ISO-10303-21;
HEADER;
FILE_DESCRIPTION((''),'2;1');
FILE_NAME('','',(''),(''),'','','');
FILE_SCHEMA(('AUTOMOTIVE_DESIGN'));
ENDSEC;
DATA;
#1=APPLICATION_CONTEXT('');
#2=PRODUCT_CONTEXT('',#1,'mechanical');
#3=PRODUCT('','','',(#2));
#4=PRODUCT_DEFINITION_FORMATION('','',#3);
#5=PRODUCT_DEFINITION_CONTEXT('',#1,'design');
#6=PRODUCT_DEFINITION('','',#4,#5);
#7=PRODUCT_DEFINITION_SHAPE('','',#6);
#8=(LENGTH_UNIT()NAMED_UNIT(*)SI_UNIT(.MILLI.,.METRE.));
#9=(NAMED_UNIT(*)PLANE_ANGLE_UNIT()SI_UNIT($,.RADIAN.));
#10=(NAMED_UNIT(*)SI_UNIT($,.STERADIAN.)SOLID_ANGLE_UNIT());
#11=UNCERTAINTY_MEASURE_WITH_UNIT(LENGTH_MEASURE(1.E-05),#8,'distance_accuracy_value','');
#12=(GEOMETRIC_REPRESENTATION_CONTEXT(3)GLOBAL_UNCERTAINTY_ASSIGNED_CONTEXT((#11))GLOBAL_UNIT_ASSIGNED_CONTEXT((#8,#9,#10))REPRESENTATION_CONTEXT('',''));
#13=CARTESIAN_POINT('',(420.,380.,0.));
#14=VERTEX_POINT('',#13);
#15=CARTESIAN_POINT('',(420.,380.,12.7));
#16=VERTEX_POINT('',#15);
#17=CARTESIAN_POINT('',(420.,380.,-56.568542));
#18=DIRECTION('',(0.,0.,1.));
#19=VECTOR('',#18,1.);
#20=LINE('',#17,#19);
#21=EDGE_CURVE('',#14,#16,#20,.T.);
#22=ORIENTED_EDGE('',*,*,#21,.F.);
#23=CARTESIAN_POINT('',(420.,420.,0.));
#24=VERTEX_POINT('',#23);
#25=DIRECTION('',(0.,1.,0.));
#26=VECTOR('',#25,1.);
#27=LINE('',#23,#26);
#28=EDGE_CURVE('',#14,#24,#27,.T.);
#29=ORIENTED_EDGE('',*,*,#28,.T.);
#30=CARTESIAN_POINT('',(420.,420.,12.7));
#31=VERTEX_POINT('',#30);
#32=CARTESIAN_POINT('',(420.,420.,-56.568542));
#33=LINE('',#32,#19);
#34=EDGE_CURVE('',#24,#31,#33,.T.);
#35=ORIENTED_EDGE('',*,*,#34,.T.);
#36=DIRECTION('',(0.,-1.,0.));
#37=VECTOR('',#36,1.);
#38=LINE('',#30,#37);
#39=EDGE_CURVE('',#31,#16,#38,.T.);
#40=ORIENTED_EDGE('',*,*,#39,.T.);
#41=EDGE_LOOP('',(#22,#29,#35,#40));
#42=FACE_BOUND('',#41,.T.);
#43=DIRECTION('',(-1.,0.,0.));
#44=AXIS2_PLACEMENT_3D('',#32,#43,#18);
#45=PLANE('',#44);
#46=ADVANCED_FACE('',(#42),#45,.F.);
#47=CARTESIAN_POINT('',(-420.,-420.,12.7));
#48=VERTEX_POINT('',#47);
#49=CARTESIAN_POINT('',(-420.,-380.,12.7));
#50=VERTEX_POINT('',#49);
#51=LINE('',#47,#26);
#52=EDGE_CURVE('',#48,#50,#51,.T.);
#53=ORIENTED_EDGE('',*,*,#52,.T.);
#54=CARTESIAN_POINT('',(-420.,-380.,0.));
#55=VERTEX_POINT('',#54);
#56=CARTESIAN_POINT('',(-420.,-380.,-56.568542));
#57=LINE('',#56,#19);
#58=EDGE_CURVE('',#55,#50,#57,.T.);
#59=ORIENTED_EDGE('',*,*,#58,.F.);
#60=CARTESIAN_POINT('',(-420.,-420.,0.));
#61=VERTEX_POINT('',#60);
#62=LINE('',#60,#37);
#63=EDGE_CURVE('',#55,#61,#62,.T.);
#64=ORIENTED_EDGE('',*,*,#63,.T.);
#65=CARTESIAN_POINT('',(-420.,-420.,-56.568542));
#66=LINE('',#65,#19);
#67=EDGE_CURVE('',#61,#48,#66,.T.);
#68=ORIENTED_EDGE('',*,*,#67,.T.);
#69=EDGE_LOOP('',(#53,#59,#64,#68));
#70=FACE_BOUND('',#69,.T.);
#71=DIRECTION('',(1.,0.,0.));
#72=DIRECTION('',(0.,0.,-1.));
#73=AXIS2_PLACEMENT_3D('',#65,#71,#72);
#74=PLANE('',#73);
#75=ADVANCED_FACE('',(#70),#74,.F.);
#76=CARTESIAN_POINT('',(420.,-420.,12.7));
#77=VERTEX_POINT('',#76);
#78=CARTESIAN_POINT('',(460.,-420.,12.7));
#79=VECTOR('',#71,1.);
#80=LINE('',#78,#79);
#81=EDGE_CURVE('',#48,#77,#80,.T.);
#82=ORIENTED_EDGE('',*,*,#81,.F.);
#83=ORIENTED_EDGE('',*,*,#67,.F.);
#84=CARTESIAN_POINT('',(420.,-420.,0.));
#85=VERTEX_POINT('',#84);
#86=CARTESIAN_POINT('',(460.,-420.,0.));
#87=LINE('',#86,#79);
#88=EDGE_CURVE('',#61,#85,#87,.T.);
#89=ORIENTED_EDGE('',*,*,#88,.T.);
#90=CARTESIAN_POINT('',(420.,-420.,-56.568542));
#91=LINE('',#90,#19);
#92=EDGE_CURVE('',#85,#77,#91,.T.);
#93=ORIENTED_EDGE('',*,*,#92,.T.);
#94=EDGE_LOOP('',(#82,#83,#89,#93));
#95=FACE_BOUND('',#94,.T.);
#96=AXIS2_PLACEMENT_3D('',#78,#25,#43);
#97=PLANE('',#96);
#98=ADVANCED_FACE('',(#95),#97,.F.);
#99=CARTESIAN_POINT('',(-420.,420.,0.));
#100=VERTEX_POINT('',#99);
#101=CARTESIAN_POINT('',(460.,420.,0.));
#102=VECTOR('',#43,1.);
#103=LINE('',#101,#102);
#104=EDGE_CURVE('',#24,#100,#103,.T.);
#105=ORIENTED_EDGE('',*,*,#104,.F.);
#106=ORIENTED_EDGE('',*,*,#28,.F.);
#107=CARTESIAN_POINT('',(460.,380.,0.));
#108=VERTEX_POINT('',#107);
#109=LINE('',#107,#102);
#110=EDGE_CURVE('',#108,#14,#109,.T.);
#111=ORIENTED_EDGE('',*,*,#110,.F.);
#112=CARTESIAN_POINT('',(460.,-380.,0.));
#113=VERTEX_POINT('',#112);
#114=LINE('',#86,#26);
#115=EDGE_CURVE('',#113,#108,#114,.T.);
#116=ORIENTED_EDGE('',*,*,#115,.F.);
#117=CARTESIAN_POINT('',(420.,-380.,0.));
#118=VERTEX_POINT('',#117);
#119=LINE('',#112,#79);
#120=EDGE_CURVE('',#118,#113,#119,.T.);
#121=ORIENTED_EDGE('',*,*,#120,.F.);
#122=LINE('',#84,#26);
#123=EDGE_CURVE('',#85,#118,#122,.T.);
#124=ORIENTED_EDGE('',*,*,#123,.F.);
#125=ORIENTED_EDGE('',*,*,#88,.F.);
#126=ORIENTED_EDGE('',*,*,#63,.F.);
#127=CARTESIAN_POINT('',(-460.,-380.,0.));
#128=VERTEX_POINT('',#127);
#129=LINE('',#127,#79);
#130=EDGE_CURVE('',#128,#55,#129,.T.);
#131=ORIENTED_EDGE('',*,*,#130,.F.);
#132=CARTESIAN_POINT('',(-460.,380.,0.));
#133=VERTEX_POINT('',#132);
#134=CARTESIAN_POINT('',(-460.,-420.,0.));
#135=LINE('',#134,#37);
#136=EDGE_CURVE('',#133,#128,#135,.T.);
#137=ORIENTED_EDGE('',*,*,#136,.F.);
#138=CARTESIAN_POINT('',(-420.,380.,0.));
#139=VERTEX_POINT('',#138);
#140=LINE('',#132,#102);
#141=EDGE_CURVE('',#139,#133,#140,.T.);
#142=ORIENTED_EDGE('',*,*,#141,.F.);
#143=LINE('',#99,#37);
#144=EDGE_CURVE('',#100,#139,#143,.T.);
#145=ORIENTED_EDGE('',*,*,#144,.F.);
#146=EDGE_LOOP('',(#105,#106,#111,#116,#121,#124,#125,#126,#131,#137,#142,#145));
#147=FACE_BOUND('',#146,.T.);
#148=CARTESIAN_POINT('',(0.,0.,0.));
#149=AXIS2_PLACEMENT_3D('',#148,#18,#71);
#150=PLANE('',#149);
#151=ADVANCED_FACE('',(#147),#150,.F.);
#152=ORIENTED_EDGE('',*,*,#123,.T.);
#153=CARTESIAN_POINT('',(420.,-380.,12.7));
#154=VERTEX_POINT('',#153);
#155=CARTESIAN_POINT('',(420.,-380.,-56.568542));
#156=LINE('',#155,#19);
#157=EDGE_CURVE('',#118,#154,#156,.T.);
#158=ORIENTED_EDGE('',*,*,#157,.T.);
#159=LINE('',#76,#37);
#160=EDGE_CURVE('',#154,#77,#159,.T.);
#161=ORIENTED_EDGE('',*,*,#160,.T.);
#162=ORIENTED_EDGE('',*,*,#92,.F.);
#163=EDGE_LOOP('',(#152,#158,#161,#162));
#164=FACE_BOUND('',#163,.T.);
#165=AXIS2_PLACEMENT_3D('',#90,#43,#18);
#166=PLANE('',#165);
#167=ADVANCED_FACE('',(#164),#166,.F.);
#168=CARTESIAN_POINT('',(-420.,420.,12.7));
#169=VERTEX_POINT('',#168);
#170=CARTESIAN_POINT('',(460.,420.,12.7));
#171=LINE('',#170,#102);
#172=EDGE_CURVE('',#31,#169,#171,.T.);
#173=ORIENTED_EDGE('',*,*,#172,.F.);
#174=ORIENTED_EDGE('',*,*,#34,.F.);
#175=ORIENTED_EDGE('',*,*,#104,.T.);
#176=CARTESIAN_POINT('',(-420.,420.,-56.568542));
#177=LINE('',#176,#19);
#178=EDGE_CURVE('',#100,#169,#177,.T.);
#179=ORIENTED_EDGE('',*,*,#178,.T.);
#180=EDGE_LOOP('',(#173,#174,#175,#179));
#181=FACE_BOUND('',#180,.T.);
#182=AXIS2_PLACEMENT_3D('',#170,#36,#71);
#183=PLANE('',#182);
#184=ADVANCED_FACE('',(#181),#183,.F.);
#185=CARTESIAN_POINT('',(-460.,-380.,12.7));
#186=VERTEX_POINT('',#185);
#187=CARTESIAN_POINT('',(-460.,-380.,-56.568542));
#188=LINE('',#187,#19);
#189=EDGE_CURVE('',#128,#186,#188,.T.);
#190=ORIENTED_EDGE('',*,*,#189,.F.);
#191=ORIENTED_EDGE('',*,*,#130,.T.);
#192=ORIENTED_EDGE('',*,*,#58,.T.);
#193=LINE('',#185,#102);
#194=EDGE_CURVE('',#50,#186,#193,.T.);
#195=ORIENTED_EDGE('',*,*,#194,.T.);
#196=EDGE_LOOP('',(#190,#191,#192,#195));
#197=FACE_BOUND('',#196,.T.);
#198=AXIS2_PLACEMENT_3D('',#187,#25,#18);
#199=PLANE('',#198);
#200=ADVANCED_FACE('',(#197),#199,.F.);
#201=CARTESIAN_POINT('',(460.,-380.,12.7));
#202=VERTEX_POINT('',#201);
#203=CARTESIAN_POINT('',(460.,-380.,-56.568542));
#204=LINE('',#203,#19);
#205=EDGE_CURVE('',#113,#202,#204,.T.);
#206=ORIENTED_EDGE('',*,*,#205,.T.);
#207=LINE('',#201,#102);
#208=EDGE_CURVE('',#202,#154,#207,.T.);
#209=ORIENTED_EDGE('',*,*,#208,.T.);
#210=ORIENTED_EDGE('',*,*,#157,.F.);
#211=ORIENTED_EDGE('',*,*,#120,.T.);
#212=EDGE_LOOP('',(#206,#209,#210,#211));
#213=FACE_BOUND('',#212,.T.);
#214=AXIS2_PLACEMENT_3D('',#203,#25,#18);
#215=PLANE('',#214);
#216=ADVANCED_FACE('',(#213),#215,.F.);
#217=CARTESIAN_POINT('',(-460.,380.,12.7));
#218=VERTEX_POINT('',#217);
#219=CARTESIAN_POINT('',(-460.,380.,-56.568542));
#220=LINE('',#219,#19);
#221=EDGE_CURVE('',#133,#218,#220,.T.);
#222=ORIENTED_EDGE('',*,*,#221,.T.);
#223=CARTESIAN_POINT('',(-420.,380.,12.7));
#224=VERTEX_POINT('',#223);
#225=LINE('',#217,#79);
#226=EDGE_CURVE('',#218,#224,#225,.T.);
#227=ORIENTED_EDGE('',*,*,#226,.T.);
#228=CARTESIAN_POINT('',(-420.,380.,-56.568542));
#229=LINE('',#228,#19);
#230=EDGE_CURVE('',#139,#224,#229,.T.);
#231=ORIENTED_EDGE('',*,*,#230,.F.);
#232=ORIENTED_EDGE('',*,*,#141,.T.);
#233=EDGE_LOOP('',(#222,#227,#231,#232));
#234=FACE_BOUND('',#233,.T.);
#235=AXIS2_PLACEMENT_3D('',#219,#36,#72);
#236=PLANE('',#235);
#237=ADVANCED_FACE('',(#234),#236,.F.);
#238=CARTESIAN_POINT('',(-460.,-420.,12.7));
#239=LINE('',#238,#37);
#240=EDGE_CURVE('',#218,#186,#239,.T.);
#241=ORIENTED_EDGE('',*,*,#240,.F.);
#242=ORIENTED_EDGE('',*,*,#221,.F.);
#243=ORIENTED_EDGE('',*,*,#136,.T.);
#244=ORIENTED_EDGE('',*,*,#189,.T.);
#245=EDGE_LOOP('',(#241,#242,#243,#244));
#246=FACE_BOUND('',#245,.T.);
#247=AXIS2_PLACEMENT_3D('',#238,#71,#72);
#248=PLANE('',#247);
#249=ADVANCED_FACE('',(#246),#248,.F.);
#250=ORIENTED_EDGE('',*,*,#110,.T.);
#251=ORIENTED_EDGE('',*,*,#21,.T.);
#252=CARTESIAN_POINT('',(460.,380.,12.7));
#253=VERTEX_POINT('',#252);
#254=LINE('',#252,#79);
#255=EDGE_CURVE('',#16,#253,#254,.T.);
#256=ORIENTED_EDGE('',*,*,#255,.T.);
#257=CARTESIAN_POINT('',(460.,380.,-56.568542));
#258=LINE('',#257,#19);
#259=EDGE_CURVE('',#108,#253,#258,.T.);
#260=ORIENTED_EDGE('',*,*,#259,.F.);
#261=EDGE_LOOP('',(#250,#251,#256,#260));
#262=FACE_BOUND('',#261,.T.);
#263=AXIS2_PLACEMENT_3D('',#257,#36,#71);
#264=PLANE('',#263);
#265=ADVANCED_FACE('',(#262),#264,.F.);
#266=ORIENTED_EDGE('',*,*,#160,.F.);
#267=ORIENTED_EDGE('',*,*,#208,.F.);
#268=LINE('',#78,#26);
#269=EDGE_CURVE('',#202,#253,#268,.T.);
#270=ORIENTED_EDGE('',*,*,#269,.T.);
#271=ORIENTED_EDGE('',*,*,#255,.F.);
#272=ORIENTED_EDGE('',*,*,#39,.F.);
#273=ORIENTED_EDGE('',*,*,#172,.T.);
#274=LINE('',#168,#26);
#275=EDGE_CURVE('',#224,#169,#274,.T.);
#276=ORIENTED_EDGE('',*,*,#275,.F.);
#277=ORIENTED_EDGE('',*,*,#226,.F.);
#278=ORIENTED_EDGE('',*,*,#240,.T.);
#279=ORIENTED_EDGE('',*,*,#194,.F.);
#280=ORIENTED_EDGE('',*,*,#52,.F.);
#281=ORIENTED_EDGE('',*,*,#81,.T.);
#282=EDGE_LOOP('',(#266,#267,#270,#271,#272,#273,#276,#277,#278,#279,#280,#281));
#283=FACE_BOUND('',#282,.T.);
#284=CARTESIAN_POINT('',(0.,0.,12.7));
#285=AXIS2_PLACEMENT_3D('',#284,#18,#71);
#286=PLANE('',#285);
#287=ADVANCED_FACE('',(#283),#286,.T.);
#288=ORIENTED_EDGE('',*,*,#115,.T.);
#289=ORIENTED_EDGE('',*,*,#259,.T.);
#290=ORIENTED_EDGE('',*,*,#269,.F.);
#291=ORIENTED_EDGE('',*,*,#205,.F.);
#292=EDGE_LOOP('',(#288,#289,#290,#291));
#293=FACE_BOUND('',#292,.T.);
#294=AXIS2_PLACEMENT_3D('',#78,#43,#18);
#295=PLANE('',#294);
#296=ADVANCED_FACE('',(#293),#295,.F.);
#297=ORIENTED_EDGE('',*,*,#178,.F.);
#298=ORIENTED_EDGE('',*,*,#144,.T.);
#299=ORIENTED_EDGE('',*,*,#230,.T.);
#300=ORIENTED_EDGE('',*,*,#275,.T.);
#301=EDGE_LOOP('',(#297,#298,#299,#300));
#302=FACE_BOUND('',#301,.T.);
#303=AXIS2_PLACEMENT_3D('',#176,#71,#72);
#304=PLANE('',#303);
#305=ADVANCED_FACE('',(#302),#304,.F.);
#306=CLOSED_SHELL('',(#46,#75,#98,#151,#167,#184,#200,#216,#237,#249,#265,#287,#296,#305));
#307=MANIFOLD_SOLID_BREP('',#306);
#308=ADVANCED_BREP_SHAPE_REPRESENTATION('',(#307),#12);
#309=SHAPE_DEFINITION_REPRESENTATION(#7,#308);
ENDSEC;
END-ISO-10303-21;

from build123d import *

# Parameters (mm, degrees)
SKETCH1_W           = 920
SKETCH1_H           = 840
BOSS_EXTRUDE1_DEPTH = 12.7
SKETCH2_W           = 40
SKETCH2_H           = 40
CUT_EXTRUDE1_DEPTH  = 12.7


with BuildPart() as part:
    # Sketch1 → Boss-Extrude1 (new body)
    with BuildSketch(Plane.XY):
        Rectangle(SKETCH1_W, SKETCH1_H)
    extrude(amount=BOSS_EXTRUDE1_DEPTH)

    # Sketch2 → Cut-Extrude1 (cut)
    with BuildSketch(Plane.XY.offset(12.7)):
        with Locations((-440, 400)):
            Rectangle(SKETCH2_W, SKETCH2_H)
        with Locations((440, -400)):
            Rectangle(SKETCH2_W, SKETCH2_H)
        with Locations((440, 400)):
            Rectangle(SKETCH2_W, SKETCH2_H)
        with Locations((-440, -400)):
            Rectangle(SKETCH2_W, SKETCH2_H)
    extrude(amount=-CUT_EXTRUDE1_DEPTH, mode=Mode.SUBTRACT)


solid = part.part
